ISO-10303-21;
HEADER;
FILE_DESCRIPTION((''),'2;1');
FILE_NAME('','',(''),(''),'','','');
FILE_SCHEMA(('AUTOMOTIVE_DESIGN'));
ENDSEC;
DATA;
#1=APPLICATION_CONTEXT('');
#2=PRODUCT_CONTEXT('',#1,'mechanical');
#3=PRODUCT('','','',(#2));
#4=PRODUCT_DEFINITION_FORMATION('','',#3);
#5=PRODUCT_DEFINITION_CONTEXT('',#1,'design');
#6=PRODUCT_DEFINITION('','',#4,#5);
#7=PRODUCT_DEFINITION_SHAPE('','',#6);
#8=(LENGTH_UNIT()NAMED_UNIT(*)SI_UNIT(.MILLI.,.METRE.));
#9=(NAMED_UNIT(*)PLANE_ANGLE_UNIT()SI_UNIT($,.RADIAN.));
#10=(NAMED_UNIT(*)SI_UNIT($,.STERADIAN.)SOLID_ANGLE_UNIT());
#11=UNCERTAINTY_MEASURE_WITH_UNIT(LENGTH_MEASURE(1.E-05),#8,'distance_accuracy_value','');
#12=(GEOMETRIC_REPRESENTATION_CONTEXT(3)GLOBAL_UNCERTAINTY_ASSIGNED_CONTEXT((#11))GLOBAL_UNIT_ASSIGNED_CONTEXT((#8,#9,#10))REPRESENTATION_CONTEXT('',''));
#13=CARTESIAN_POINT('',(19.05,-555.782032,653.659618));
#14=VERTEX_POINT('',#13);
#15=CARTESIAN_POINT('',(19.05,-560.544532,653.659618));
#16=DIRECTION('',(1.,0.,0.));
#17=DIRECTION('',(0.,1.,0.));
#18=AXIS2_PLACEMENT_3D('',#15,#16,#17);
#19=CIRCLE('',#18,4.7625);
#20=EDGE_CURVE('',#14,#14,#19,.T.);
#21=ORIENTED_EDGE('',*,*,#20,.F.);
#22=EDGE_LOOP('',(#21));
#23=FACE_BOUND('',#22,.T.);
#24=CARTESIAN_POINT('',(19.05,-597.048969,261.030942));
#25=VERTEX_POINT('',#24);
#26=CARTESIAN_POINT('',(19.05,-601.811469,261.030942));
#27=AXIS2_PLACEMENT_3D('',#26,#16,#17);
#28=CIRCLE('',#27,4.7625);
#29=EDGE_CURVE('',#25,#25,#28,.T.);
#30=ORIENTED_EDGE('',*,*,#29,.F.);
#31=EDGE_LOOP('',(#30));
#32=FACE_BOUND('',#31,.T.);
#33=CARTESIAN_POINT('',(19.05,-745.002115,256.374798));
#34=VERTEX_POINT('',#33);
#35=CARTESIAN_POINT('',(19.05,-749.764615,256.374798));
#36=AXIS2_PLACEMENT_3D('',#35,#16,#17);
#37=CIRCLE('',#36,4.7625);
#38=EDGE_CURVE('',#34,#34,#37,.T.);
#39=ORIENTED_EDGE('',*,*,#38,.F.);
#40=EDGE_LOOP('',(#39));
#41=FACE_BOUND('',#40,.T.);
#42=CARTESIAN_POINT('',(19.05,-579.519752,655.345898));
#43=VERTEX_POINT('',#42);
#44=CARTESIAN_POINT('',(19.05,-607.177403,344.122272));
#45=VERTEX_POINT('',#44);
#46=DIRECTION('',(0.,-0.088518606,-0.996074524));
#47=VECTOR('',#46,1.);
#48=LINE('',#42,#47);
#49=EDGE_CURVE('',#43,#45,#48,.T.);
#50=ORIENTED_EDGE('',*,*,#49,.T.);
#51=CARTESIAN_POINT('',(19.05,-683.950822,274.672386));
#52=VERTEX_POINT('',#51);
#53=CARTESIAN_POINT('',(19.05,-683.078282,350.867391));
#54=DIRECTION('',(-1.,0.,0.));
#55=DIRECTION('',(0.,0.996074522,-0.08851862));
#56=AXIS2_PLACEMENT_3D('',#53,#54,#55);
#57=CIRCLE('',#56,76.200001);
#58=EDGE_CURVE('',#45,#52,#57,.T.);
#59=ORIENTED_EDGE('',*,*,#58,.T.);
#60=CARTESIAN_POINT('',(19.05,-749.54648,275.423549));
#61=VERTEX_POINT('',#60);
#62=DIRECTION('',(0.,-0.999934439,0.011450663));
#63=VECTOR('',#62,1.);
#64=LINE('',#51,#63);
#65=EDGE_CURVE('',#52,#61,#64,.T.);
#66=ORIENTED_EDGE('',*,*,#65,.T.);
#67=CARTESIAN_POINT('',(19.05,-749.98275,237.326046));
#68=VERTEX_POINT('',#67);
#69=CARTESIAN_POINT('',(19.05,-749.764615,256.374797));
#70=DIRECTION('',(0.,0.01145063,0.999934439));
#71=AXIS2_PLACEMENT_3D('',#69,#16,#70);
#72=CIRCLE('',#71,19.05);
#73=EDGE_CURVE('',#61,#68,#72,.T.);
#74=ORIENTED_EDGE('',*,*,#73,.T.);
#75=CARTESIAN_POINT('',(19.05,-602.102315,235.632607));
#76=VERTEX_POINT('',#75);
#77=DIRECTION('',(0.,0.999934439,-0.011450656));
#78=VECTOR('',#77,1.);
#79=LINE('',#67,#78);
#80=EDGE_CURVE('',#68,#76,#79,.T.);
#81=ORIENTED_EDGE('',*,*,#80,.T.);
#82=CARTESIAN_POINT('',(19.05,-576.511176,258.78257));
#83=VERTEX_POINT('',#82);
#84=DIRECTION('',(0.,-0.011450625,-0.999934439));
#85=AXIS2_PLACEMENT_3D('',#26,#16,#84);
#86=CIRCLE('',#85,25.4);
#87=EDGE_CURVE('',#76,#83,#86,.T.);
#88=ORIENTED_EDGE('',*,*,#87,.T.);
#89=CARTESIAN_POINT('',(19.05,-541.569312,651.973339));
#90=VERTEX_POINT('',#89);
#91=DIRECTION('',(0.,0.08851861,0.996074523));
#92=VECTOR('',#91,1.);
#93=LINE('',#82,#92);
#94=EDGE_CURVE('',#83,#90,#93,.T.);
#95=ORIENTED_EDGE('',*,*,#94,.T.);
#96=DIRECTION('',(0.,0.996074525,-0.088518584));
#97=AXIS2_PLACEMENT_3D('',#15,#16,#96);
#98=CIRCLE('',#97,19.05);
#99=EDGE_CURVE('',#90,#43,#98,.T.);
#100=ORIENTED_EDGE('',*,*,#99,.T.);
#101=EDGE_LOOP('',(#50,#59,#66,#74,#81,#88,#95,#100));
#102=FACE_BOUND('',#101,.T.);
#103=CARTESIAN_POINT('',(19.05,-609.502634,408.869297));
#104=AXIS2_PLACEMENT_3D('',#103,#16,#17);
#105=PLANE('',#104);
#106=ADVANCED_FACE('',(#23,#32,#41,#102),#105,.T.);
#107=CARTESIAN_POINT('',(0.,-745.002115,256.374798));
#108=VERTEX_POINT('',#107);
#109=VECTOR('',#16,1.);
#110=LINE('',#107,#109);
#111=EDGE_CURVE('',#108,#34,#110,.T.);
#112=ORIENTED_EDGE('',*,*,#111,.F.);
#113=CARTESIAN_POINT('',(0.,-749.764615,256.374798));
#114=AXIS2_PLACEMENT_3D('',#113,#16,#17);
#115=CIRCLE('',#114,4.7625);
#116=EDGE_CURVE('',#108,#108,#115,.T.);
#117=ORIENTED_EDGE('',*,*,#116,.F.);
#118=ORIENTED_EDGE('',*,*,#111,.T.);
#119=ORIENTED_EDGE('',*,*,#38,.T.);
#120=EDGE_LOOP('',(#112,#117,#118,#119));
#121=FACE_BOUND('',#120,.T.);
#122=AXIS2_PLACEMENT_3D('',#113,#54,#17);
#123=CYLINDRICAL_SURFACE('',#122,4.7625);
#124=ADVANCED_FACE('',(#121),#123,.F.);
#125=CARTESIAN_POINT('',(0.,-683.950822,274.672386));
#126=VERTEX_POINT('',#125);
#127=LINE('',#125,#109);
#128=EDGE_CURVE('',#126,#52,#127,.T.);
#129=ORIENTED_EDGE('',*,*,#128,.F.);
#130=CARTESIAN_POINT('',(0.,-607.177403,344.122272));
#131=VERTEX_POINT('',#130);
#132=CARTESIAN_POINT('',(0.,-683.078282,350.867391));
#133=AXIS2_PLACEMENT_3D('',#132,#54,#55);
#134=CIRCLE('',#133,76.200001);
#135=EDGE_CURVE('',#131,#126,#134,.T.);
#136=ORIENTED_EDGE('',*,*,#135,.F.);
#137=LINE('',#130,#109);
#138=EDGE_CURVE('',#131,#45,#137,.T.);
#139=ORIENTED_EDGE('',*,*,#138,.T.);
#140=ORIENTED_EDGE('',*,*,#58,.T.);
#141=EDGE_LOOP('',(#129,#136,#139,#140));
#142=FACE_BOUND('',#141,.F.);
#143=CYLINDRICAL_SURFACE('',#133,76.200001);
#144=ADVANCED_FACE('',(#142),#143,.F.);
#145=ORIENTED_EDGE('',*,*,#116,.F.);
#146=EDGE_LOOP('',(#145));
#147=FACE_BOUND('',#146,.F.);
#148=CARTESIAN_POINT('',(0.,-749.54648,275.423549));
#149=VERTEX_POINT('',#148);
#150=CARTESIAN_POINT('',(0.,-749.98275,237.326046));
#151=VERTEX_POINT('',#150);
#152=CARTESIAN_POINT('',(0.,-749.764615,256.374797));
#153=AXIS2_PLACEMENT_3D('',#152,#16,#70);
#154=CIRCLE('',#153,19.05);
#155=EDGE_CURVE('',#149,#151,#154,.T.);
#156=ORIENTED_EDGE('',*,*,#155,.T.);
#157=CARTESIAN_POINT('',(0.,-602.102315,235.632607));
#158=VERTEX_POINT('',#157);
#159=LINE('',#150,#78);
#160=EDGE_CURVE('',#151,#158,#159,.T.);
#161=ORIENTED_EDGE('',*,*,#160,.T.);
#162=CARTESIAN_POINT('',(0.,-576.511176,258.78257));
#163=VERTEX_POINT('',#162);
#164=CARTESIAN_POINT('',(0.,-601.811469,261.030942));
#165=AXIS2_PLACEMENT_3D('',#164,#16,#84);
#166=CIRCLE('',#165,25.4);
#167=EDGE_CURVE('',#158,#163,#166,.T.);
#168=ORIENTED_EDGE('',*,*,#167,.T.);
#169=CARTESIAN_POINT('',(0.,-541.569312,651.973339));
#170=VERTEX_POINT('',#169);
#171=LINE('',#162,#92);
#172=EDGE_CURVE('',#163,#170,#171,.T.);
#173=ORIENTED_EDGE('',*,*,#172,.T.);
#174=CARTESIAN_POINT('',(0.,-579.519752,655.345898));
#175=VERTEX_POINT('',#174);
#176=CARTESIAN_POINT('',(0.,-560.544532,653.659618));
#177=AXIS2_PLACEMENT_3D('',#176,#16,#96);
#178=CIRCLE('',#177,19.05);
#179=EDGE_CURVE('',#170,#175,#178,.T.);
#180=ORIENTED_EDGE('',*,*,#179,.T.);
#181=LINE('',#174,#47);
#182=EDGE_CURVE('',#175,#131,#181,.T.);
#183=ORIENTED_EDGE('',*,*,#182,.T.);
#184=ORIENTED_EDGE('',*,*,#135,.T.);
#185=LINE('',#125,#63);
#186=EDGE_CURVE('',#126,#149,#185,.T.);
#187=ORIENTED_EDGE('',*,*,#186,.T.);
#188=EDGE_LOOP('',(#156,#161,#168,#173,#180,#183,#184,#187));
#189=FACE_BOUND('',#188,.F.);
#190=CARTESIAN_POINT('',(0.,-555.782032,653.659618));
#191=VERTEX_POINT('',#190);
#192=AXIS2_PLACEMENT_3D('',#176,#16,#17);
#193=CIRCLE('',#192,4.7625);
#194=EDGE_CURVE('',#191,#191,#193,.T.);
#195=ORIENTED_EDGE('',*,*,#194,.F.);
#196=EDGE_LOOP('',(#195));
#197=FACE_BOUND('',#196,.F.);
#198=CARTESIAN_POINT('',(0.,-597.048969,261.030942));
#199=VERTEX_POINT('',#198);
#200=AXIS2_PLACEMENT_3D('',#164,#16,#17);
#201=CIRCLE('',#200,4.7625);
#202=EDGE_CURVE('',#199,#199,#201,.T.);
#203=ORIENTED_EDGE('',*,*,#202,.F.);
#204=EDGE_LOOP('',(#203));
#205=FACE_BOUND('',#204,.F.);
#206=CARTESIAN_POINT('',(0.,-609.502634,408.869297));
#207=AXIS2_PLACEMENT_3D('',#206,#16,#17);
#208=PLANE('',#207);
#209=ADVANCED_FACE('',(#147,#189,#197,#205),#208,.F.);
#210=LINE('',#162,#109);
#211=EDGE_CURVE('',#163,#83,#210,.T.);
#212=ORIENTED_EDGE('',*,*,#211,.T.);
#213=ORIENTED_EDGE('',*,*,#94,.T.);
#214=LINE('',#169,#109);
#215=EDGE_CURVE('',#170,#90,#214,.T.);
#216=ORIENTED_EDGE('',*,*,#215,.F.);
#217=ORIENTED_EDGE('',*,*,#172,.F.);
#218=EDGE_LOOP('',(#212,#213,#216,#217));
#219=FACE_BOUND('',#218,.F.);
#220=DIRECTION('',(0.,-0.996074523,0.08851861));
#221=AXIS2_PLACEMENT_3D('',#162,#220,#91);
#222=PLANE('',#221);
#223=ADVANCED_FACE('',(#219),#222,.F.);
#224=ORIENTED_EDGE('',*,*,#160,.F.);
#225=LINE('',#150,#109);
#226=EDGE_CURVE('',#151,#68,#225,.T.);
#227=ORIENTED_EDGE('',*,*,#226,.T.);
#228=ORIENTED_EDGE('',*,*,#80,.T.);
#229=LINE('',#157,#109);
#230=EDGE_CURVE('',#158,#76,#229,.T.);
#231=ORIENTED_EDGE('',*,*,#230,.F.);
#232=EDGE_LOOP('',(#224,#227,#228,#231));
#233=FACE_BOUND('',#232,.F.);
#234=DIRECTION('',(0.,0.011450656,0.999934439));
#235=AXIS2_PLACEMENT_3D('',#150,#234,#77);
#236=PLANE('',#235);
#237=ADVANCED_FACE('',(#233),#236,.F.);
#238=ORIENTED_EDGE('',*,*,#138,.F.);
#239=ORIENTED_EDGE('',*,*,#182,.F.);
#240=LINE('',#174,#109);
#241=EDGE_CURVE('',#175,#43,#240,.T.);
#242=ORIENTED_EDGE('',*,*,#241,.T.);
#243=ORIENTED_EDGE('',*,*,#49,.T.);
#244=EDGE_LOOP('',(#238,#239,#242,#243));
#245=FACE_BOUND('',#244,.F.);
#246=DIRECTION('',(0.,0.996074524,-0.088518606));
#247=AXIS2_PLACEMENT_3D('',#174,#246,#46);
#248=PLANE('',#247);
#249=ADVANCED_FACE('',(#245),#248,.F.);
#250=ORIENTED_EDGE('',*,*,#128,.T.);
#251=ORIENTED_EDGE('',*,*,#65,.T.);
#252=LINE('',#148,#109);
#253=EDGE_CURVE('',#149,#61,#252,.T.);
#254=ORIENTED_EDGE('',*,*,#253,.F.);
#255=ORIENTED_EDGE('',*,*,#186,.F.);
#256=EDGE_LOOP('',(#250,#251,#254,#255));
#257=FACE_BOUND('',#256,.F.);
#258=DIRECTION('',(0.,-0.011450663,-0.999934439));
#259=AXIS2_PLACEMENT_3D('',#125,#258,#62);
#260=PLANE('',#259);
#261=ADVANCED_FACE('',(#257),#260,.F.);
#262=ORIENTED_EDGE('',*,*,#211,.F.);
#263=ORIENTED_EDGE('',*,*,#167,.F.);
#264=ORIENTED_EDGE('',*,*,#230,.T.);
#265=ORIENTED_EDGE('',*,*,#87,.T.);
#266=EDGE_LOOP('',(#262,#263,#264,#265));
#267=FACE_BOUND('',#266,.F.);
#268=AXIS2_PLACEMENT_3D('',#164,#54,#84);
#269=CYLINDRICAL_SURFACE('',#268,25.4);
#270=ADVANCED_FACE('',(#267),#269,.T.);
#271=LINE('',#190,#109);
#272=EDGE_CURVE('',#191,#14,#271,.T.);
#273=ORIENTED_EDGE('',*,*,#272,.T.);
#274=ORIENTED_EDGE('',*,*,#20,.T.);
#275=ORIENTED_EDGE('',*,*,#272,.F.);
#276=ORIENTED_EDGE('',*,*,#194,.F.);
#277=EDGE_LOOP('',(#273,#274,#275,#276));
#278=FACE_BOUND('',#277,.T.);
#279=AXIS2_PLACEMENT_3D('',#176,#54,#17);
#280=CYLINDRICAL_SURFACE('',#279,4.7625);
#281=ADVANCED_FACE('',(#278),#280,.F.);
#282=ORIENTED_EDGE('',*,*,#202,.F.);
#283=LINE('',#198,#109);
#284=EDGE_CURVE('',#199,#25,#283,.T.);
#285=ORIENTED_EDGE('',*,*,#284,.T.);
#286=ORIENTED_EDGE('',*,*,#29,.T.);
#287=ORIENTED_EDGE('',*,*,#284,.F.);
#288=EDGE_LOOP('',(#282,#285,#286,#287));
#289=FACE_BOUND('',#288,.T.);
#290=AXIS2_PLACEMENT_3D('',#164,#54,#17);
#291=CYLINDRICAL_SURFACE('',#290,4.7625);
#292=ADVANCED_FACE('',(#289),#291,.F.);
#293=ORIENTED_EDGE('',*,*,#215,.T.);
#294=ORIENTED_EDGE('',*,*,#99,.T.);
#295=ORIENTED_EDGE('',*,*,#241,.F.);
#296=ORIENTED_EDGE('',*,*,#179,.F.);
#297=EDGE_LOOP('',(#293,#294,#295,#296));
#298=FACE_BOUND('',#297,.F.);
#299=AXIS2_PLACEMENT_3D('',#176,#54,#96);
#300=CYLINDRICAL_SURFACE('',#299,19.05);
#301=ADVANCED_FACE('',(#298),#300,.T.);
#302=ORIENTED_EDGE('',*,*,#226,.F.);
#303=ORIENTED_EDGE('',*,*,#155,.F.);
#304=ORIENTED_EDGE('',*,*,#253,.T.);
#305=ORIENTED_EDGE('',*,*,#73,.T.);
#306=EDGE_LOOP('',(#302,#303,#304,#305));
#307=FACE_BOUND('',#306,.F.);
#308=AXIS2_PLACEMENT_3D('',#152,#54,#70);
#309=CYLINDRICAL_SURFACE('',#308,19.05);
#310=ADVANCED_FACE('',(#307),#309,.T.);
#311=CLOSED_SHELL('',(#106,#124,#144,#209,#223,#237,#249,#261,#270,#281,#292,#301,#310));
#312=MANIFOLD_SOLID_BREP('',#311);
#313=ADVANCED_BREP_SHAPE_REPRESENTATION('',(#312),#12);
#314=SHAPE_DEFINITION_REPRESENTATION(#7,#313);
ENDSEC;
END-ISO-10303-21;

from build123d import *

# Parameters (mm, degrees)
F2_R     = 4.7625
F3_DEPTH = 19.05


with BuildPart() as f3:
    # F2 (on Right) → F3 (new body)
    with BuildSketch(Plane.YZ):
        with BuildLine():
            ThreePointArc((-749.54648, 275.423549), (-768.813366, 256.592933), (-749.98275, 237.326046))
            Line((-749.98275, 237.326046), (-602.102315, 235.632607))
            ThreePointArc((-602.102315, 235.632607), (-584.771859, 242.194496), (-576.511176, 258.78257))
            Line((-576.511176, 258.78257), (-541.569312, 651.973339))
            ThreePointArc((-541.569312, 651.973339), (-558.858252, 672.634838), (-579.519752, 655.345898))
            Line((-579.519752, 655.345898), (-607.177403, 344.122272))
            ThreePointArc((-607.177403, 344.122272), (-631.959454, 294.358051), (-683.950822, 274.672386))
            Line((-683.950822, 274.672386), (-749.54648, 275.423549))
        make_face()
        with Locations((-749.764615, 256.374798)):
            Circle(F2_R, mode=Mode.SUBTRACT)
        with Locations((-601.811469, 261.030942)):
            Circle(F2_R, mode=Mode.SUBTRACT)
        with Locations((-560.544532, 653.659618)):
            Circle(F2_R, mode=Mode.SUBTRACT)
    extrude(amount=F3_DEPTH)


solid = f3.part
